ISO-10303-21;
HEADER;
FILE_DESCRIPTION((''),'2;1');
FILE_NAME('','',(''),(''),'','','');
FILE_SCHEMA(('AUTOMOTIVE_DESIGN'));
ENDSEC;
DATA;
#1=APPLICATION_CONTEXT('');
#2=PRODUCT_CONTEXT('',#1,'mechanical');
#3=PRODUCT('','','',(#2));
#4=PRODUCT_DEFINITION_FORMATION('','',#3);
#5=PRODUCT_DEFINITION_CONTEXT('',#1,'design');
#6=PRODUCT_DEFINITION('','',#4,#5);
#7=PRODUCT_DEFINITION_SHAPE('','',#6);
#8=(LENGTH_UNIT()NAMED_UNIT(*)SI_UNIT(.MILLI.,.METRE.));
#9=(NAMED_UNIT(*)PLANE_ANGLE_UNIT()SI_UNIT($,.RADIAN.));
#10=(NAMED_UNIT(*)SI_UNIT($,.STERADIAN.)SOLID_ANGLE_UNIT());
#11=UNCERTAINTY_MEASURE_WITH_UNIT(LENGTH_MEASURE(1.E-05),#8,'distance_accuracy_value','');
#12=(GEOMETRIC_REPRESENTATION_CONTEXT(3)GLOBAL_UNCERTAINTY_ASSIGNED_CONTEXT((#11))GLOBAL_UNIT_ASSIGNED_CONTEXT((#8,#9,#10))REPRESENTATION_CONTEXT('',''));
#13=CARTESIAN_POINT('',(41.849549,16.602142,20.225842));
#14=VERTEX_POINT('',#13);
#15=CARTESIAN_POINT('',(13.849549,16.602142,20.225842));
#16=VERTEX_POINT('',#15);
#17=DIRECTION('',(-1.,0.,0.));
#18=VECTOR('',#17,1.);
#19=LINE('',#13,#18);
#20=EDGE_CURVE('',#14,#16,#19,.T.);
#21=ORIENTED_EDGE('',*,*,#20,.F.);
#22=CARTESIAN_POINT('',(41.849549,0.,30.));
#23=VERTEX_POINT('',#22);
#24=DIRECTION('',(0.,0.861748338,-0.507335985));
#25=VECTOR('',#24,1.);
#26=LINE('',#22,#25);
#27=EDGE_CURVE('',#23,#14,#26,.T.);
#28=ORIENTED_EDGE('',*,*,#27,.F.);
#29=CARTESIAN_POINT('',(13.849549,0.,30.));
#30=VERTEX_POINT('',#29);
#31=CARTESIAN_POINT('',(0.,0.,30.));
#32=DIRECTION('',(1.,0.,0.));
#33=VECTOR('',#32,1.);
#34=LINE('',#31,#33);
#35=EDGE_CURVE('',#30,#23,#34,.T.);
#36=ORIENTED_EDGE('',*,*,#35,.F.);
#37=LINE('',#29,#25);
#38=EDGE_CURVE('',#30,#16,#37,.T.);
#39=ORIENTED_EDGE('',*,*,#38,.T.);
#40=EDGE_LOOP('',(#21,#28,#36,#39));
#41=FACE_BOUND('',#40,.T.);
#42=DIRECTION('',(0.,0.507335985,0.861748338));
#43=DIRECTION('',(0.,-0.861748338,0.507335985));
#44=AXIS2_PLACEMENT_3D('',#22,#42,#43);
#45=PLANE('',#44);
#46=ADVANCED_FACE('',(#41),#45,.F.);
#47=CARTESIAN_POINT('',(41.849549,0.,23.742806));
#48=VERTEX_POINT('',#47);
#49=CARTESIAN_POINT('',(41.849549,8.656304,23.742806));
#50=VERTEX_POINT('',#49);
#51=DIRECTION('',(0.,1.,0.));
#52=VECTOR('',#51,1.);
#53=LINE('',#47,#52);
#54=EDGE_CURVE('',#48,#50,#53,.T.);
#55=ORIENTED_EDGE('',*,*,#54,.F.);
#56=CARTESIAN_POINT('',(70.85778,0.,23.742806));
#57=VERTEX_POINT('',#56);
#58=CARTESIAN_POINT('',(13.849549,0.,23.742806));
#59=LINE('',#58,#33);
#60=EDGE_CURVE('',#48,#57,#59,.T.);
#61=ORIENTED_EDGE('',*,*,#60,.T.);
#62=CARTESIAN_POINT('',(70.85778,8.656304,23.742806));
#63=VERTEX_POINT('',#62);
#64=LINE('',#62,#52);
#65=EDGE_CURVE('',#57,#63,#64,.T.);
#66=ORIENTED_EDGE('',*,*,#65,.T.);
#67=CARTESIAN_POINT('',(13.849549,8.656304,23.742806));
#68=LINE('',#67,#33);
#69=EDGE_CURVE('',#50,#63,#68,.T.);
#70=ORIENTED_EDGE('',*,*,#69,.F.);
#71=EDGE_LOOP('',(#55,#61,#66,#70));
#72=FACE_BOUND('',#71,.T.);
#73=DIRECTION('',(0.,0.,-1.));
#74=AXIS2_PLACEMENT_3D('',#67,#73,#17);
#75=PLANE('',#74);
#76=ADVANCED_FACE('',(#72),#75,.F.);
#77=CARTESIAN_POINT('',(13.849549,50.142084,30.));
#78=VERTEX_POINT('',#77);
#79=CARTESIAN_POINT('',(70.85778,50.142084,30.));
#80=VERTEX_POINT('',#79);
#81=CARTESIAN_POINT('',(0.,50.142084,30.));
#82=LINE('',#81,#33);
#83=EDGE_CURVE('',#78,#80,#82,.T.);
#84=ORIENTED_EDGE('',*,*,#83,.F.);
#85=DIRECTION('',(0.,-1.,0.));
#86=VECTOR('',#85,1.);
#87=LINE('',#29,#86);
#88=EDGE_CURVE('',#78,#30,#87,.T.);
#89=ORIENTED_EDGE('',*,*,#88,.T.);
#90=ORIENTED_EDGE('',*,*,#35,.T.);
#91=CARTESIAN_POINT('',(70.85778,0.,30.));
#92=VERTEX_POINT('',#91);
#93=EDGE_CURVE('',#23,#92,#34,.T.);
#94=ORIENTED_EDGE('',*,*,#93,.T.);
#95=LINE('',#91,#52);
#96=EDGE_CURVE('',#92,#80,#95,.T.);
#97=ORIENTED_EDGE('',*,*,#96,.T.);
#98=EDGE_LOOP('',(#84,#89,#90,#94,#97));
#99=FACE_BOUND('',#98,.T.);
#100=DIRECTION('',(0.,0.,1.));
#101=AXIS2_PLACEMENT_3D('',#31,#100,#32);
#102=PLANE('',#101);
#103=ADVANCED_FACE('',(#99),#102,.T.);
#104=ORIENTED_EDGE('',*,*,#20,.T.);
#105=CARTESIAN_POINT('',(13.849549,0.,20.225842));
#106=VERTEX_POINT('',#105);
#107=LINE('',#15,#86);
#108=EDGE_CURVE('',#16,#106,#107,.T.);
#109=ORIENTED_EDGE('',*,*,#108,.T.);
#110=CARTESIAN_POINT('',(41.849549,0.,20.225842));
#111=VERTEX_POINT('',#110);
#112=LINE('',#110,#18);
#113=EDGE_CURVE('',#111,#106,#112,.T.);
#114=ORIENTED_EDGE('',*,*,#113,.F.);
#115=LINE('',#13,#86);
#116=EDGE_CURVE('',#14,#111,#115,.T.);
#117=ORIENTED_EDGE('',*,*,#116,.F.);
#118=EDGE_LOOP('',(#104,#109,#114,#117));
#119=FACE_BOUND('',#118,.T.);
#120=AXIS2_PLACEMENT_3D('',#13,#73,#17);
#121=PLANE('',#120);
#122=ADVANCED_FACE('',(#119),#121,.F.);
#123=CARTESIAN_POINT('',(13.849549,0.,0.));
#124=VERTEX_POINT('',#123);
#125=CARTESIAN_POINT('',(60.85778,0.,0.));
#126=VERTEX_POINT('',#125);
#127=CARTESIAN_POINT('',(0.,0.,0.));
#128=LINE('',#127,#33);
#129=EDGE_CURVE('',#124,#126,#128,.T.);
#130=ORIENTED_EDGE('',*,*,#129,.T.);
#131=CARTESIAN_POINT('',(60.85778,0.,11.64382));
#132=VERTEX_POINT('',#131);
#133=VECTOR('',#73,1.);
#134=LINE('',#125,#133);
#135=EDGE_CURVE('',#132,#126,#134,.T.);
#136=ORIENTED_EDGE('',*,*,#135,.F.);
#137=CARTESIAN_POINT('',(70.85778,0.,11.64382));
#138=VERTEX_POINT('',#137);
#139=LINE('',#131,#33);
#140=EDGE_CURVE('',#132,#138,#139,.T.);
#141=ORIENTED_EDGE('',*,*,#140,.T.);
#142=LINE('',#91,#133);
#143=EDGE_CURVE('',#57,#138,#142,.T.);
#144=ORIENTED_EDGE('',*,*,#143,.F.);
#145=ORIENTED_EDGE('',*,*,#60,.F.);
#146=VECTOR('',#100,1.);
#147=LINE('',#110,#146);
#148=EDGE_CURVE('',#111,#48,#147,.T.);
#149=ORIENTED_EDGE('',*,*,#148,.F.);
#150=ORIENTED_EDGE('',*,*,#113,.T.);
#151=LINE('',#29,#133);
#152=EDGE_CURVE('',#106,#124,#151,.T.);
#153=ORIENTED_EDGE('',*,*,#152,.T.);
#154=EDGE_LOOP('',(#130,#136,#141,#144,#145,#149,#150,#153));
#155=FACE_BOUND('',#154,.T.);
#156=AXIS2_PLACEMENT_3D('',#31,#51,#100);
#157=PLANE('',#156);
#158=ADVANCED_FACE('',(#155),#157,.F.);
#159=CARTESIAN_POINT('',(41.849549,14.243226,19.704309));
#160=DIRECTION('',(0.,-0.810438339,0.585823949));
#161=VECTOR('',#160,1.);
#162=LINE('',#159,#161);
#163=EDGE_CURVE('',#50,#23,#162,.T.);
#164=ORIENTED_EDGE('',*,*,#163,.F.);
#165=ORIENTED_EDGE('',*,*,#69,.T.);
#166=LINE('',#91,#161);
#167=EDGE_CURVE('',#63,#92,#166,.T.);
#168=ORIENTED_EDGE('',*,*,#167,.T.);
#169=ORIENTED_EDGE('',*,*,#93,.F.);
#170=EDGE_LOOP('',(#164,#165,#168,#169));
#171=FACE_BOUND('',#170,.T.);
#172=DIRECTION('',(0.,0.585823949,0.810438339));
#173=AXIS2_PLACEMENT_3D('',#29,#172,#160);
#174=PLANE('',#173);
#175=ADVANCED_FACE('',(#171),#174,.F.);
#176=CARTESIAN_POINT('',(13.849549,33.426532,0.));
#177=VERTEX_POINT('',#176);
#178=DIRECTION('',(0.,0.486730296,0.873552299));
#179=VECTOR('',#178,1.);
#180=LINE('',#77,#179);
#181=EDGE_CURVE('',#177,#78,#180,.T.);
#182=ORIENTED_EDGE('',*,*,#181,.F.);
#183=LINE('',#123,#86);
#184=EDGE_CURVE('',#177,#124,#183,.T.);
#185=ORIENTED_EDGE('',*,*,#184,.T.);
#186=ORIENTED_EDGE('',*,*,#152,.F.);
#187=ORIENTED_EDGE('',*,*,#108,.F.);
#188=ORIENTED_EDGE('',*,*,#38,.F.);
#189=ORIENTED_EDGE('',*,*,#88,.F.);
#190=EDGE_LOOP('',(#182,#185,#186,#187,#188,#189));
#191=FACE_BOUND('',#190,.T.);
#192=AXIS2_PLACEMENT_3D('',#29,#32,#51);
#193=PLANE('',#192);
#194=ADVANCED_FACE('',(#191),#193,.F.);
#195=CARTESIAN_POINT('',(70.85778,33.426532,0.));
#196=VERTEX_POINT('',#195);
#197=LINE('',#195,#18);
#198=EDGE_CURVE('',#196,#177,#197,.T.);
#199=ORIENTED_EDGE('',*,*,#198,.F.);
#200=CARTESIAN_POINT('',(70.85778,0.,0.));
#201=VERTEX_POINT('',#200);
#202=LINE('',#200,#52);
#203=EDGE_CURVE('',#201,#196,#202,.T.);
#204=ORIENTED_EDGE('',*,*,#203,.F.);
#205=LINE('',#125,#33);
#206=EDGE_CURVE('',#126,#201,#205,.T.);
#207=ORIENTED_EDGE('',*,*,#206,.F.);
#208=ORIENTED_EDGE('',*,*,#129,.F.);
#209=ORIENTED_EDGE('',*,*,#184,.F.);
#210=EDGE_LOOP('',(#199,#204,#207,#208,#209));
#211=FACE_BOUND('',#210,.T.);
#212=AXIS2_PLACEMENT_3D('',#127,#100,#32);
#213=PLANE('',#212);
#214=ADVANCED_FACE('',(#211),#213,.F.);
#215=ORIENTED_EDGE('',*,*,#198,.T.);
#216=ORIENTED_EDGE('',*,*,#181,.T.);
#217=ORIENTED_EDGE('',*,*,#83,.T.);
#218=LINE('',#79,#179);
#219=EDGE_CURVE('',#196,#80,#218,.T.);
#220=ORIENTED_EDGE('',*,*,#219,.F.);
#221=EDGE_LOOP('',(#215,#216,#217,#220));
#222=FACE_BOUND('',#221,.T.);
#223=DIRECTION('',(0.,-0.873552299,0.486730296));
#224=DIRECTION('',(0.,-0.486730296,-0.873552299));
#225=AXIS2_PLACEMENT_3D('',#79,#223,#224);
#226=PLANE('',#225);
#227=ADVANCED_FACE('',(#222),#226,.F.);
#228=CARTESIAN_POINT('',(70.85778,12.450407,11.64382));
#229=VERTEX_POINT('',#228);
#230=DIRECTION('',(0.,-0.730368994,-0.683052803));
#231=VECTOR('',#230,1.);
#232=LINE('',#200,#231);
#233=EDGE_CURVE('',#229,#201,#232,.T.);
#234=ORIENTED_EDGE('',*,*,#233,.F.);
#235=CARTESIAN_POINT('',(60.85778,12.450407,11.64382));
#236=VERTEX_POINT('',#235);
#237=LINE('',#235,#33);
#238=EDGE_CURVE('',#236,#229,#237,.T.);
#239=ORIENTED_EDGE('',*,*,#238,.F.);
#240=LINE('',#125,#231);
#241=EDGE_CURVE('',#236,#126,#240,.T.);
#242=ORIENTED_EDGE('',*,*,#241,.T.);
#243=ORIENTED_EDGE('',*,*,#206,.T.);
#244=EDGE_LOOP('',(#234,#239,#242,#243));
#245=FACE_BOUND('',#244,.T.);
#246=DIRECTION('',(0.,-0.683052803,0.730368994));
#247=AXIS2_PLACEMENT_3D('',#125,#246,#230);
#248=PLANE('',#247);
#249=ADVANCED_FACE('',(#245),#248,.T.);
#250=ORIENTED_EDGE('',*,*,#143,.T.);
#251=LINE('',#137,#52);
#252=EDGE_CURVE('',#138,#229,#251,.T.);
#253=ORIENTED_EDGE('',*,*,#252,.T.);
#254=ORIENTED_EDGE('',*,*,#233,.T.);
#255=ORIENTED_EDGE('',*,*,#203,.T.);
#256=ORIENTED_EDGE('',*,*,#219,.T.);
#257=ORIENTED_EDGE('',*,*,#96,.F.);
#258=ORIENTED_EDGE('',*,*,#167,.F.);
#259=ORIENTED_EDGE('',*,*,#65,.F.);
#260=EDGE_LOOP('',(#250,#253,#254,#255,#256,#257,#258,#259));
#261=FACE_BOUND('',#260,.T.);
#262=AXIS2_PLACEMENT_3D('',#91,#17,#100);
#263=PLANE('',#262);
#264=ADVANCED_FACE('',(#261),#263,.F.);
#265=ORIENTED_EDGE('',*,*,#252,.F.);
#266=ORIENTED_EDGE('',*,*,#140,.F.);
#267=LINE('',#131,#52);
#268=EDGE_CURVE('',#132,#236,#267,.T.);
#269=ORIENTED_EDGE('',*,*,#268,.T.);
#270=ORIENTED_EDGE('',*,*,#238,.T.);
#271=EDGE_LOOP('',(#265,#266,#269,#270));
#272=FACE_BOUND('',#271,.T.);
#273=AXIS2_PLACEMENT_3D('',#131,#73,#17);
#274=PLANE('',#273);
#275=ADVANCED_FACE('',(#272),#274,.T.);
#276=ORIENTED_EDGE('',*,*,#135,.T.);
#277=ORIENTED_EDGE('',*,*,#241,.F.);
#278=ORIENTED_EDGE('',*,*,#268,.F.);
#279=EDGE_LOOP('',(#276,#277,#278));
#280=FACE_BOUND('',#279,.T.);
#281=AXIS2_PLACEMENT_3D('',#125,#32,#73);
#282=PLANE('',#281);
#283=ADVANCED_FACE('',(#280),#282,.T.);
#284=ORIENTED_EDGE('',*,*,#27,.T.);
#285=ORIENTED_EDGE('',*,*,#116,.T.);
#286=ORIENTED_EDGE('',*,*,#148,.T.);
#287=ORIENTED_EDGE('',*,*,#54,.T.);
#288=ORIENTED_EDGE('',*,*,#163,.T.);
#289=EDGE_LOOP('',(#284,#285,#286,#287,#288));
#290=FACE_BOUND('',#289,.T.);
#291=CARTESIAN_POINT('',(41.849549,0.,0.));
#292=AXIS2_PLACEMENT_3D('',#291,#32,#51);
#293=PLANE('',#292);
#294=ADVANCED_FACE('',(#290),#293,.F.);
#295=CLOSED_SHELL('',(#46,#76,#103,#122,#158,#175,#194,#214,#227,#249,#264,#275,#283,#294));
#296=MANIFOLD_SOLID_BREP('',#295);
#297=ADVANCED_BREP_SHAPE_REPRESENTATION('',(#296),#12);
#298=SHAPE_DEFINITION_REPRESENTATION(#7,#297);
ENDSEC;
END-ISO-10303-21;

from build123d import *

# Parameters (mm, degrees)
SKETCH_1_W          = 57.008230548
SKETCH_1_H          = 50.142083818
EXTRUDE_2_DEPTH     = 30
CUT_EXTRUDE_1_DEPTH = 82.634348897
CUT_EXTRUDE_2_DEPTH = 10
CUT_EXTRUDE_3_DEPTH = 28
CUT_EXTRUDE_4_DEPTH = 82.634348897


with BuildPart() as part:
    # 草圖1 → 填料-伸長2 (new body)
    with BuildSketch(Plane.XY):
        with Locations((42.353664605, 25.071041909)):
            Rectangle(SKETCH_1_W, SKETCH_1_H)
    extrude(amount=EXTRUDE_2_DEPTH)

    # 草圖2 → 除料-伸長1 (cut, through all)
    with BuildSketch(Plane.ZY.offset(-13.849549331)):
        Polygon((30, 50.142083818), (0, 33.426531832), (0, 50.142083818), align=None)
    extrude(amount=-CUT_EXTRUDE_1_DEPTH, mode=Mode.SUBTRACT)

    # 草圖3 → 除料-伸長2 (cut)
    with BuildSketch(Plane(origin=(70.857779879, 0, 0), x_dir=(0, 0, -1), z_dir=(1, 0, 0))):
        Polygon((-11.643819947, 12.450406502), (-11.643819947, 0), (0, 0), align=None)
    extrude(amount=-CUT_EXTRUDE_2_DEPTH, mode=Mode.SUBTRACT)

    # 草圖6 → 除料-伸長3 (cut)
    with BuildSketch(Plane.ZY.offset(-13.849549331)):
        Polygon((30, 0), (20.225842112, 16.602142494), (20.225842112, 0), align=None)
    extrude(amount=-CUT_EXTRUDE_3_DEPTH, mode=Mode.SUBTRACT)

    # 草圖7 → 除料-伸長4 (cut, through all)
    with BuildSketch(Plane(origin=(70.857779879, 0, 0), x_dir=(0, 0, -1), z_dir=(1, 0, 0))):
        Polygon((-30, 0), (-23.742805889, 8.65630368), (-23.742805889, 0), align=None)
    extrude(amount=-CUT_EXTRUDE_4_DEPTH, mode=Mode.SUBTRACT)


solid = part.part
